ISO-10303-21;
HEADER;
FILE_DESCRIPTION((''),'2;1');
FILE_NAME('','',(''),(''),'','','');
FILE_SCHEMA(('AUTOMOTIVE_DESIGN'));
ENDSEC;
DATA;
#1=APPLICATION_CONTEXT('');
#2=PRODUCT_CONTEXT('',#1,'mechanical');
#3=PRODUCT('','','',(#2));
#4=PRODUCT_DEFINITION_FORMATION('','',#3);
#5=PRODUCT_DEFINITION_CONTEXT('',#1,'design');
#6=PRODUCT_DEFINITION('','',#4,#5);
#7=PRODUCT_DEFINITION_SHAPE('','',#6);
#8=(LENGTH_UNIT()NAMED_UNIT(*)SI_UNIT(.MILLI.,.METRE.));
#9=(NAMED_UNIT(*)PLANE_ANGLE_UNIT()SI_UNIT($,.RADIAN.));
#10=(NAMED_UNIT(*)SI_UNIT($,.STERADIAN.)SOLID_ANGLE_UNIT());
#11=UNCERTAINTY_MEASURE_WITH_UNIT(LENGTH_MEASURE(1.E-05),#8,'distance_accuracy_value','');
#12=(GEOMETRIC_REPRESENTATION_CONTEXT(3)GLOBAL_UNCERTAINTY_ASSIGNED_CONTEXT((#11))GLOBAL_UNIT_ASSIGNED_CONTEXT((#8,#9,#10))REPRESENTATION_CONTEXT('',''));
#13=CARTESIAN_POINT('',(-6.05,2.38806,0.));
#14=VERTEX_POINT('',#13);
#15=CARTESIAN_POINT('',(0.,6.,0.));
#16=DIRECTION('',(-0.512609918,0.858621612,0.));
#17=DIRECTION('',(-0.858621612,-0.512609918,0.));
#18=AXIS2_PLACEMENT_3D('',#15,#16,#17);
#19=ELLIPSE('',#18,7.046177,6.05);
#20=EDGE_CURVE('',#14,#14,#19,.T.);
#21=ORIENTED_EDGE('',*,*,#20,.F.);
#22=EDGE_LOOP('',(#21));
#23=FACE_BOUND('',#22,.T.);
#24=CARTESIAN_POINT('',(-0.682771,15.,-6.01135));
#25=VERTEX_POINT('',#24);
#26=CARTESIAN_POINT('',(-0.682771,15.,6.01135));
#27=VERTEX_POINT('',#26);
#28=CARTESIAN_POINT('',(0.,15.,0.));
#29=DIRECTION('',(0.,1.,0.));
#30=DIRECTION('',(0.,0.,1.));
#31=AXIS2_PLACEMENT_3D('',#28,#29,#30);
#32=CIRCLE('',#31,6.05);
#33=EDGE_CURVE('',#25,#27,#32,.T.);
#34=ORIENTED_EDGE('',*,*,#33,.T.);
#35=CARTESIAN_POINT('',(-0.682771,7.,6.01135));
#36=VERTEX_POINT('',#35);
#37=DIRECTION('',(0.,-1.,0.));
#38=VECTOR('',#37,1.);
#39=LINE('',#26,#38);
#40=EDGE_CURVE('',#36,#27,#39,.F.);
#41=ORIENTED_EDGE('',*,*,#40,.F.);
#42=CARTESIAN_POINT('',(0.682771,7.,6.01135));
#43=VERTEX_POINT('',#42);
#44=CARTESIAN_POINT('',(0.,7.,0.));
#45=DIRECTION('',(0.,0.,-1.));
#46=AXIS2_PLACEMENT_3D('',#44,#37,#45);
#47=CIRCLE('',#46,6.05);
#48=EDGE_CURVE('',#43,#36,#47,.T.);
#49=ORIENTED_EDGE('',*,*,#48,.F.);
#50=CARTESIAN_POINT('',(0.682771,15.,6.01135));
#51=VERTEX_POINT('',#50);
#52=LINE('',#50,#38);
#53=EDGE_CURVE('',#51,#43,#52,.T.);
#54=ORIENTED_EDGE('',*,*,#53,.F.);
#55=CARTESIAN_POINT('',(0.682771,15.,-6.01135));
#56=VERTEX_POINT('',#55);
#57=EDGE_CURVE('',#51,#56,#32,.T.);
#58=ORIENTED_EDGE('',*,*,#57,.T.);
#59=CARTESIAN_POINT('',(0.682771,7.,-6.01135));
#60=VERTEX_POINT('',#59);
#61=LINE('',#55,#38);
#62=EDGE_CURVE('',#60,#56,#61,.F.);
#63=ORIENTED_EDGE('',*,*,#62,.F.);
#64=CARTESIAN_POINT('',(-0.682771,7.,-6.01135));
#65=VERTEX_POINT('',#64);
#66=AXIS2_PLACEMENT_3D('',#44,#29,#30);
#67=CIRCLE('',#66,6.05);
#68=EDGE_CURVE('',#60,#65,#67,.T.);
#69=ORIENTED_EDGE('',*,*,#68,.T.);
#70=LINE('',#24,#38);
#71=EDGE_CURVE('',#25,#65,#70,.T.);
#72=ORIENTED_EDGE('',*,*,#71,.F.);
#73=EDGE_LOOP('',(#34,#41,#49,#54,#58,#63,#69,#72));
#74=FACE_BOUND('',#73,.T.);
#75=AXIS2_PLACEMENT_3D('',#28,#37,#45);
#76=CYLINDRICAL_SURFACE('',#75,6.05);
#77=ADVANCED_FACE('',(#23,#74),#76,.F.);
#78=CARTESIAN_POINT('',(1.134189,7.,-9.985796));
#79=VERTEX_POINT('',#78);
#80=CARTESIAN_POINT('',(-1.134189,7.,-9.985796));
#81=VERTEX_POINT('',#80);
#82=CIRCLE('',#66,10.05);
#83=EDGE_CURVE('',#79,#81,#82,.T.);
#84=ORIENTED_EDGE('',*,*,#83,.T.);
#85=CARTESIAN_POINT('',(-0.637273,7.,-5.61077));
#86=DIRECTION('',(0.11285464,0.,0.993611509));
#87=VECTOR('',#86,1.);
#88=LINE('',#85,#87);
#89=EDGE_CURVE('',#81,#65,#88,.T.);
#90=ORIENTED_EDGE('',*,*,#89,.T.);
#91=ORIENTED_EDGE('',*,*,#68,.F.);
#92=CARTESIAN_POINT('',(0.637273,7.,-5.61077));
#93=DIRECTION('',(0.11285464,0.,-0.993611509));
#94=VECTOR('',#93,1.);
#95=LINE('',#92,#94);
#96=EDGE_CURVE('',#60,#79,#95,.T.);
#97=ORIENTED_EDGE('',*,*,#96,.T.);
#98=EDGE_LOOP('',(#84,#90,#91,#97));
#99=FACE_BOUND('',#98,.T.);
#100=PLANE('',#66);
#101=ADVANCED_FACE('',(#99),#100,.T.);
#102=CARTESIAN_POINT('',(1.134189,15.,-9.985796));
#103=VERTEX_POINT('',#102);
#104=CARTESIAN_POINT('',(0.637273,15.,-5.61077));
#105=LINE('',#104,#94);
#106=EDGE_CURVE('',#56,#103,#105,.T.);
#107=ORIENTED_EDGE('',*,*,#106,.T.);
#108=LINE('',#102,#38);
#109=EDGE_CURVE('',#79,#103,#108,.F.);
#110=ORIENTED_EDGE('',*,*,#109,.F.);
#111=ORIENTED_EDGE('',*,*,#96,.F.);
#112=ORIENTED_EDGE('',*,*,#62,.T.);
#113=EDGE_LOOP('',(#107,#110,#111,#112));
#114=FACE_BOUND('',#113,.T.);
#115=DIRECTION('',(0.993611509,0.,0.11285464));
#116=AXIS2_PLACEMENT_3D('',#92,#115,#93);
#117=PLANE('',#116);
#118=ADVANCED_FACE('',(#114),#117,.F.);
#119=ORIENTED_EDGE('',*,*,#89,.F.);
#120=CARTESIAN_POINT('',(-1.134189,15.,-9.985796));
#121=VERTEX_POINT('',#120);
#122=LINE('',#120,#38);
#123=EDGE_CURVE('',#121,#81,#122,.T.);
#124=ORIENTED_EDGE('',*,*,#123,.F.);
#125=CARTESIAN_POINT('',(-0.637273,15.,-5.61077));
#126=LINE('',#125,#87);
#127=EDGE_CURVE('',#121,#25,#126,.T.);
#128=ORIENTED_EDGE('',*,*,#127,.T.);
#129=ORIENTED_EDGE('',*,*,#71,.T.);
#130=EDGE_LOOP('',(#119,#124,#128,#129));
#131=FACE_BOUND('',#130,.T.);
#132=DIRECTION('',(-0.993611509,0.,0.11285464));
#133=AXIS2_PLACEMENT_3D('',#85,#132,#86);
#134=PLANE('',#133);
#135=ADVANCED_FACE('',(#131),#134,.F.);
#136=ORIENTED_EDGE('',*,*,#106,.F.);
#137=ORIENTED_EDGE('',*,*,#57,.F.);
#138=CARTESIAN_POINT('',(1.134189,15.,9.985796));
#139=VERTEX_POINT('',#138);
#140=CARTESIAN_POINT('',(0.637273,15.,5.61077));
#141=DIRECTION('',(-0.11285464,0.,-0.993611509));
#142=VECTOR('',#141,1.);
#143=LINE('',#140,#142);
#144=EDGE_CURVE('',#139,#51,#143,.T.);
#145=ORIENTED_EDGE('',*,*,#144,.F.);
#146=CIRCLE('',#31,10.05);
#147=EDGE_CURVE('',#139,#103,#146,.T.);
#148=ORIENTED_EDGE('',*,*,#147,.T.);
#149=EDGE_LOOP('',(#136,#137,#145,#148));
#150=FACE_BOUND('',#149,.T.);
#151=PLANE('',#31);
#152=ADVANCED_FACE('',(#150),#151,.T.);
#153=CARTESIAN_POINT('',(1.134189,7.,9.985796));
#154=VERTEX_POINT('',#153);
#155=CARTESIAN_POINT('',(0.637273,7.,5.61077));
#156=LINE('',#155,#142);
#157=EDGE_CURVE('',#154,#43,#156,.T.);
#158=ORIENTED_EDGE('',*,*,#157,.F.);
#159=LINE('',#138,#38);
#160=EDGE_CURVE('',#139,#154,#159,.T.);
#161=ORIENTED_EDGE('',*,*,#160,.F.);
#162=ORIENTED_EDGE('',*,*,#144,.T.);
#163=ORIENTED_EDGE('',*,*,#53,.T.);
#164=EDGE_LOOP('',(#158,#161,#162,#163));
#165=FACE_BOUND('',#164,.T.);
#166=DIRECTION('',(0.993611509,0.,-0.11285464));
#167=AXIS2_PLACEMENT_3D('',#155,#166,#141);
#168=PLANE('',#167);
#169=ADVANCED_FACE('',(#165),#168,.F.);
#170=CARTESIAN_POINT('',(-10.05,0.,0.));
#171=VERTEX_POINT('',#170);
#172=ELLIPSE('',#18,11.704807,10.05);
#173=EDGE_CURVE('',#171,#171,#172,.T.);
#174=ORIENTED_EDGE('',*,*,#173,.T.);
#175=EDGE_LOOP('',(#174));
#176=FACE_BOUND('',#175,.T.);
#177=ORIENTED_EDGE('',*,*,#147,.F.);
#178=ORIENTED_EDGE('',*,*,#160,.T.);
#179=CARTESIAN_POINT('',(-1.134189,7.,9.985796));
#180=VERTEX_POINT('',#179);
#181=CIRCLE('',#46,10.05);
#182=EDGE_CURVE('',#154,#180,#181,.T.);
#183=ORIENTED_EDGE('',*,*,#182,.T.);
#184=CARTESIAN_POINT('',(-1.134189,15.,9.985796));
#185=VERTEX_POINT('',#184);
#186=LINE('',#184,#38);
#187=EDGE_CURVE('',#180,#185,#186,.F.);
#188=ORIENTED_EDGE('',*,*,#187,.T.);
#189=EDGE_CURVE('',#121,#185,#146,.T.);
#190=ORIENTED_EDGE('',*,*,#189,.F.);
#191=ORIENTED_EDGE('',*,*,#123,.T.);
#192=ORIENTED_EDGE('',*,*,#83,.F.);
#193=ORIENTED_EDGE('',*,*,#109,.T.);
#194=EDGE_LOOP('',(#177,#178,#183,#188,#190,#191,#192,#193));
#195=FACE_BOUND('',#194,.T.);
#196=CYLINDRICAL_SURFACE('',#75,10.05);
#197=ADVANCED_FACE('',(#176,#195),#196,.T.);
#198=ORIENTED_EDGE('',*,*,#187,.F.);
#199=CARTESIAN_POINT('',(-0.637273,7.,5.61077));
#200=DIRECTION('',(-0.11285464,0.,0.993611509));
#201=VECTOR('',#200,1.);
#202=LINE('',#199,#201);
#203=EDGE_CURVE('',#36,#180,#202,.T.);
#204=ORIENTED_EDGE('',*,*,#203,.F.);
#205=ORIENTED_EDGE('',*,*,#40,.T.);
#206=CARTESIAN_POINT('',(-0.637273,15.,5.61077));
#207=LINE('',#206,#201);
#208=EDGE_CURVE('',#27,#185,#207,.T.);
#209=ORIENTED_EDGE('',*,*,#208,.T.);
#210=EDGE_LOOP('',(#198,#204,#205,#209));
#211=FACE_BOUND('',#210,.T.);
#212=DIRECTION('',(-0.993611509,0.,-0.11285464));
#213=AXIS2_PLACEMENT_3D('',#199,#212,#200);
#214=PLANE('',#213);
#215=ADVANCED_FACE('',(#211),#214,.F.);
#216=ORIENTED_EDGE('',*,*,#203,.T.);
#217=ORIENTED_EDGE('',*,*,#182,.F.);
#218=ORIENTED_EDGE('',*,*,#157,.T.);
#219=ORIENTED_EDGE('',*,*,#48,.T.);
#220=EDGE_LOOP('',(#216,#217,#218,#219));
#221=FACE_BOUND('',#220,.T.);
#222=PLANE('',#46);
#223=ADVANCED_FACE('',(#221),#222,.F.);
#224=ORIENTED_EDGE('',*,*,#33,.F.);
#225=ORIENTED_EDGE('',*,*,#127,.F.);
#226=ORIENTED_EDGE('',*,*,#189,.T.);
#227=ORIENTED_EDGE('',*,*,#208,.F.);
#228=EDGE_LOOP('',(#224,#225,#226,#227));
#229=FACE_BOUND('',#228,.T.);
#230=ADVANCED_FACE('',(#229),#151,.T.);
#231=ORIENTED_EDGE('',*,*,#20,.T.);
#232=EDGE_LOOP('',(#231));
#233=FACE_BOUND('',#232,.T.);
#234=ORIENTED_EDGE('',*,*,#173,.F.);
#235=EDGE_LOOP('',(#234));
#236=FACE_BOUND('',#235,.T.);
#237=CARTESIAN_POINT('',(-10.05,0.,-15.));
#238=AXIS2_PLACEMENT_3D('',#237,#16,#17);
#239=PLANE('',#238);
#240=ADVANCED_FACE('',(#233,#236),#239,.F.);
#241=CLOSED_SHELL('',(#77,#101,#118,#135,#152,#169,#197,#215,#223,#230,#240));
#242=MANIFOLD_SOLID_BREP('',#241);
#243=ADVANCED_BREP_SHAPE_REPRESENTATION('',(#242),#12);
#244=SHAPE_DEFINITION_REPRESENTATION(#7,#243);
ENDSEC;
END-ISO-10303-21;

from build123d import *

# Parameters (mm, degrees)
SKETCH1_R           = 10.05
SKETCH1_R_2         = 6.05
BOSS_EXTRUDE1_DEPTH = 15
CUT_EXTRUDE2_DEPTH  = 8
CUT_EXTRUDE3_DEPTH  = 15


with BuildPart() as part:
    # Sketch1 → Boss-Extrude1 (new body)
    with BuildSketch(Plane(origin=(0, 0, 0), x_dir=(1, 0, 0), z_dir=(0, 1, 0))):
        with Locations(Location((0, 0, 0), (0, 0, 270))):
            Circle(SKETCH1_R)
        with Locations(Location((0, 0, 0), (0, 0, 270))):
            Circle(SKETCH1_R_2, mode=Mode.SUBTRACT)
    extrude(amount=BOSS_EXTRUDE1_DEPTH)

    # Sketch6 → Cut-Extrude2 (cut)
    with BuildSketch(Plane(origin=(0, 15, 0), x_dir=(1, 0, 0), z_dir=(0, 1, 0))):
        Polygon((-0.637272671, 5.61077026), (0.637272671, 5.61077026), (1.215708589, 10.703521268), (-1.215708589, 10.703521268), align=None)
        Polygon((-0.637272671, -5.61077026), (-1.215708589, -10.703521268), (1.215708589, -10.703521268), (0.637272671, -5.61077026), align=None)
    extrude(amount=-CUT_EXTRUDE2_DEPTH, mode=Mode.SUBTRACT)

    # Sketch3 → Cut-Extrude3 (cut, symmetric)
    with BuildSketch(Plane.XY):
        Polygon((-10.05, 0), (10.05, 12), (10.05, 0), align=None)
    extrude(amount=CUT_EXTRUDE3_DEPTH, both=True, mode=Mode.SUBTRACT)


solid = part.part
